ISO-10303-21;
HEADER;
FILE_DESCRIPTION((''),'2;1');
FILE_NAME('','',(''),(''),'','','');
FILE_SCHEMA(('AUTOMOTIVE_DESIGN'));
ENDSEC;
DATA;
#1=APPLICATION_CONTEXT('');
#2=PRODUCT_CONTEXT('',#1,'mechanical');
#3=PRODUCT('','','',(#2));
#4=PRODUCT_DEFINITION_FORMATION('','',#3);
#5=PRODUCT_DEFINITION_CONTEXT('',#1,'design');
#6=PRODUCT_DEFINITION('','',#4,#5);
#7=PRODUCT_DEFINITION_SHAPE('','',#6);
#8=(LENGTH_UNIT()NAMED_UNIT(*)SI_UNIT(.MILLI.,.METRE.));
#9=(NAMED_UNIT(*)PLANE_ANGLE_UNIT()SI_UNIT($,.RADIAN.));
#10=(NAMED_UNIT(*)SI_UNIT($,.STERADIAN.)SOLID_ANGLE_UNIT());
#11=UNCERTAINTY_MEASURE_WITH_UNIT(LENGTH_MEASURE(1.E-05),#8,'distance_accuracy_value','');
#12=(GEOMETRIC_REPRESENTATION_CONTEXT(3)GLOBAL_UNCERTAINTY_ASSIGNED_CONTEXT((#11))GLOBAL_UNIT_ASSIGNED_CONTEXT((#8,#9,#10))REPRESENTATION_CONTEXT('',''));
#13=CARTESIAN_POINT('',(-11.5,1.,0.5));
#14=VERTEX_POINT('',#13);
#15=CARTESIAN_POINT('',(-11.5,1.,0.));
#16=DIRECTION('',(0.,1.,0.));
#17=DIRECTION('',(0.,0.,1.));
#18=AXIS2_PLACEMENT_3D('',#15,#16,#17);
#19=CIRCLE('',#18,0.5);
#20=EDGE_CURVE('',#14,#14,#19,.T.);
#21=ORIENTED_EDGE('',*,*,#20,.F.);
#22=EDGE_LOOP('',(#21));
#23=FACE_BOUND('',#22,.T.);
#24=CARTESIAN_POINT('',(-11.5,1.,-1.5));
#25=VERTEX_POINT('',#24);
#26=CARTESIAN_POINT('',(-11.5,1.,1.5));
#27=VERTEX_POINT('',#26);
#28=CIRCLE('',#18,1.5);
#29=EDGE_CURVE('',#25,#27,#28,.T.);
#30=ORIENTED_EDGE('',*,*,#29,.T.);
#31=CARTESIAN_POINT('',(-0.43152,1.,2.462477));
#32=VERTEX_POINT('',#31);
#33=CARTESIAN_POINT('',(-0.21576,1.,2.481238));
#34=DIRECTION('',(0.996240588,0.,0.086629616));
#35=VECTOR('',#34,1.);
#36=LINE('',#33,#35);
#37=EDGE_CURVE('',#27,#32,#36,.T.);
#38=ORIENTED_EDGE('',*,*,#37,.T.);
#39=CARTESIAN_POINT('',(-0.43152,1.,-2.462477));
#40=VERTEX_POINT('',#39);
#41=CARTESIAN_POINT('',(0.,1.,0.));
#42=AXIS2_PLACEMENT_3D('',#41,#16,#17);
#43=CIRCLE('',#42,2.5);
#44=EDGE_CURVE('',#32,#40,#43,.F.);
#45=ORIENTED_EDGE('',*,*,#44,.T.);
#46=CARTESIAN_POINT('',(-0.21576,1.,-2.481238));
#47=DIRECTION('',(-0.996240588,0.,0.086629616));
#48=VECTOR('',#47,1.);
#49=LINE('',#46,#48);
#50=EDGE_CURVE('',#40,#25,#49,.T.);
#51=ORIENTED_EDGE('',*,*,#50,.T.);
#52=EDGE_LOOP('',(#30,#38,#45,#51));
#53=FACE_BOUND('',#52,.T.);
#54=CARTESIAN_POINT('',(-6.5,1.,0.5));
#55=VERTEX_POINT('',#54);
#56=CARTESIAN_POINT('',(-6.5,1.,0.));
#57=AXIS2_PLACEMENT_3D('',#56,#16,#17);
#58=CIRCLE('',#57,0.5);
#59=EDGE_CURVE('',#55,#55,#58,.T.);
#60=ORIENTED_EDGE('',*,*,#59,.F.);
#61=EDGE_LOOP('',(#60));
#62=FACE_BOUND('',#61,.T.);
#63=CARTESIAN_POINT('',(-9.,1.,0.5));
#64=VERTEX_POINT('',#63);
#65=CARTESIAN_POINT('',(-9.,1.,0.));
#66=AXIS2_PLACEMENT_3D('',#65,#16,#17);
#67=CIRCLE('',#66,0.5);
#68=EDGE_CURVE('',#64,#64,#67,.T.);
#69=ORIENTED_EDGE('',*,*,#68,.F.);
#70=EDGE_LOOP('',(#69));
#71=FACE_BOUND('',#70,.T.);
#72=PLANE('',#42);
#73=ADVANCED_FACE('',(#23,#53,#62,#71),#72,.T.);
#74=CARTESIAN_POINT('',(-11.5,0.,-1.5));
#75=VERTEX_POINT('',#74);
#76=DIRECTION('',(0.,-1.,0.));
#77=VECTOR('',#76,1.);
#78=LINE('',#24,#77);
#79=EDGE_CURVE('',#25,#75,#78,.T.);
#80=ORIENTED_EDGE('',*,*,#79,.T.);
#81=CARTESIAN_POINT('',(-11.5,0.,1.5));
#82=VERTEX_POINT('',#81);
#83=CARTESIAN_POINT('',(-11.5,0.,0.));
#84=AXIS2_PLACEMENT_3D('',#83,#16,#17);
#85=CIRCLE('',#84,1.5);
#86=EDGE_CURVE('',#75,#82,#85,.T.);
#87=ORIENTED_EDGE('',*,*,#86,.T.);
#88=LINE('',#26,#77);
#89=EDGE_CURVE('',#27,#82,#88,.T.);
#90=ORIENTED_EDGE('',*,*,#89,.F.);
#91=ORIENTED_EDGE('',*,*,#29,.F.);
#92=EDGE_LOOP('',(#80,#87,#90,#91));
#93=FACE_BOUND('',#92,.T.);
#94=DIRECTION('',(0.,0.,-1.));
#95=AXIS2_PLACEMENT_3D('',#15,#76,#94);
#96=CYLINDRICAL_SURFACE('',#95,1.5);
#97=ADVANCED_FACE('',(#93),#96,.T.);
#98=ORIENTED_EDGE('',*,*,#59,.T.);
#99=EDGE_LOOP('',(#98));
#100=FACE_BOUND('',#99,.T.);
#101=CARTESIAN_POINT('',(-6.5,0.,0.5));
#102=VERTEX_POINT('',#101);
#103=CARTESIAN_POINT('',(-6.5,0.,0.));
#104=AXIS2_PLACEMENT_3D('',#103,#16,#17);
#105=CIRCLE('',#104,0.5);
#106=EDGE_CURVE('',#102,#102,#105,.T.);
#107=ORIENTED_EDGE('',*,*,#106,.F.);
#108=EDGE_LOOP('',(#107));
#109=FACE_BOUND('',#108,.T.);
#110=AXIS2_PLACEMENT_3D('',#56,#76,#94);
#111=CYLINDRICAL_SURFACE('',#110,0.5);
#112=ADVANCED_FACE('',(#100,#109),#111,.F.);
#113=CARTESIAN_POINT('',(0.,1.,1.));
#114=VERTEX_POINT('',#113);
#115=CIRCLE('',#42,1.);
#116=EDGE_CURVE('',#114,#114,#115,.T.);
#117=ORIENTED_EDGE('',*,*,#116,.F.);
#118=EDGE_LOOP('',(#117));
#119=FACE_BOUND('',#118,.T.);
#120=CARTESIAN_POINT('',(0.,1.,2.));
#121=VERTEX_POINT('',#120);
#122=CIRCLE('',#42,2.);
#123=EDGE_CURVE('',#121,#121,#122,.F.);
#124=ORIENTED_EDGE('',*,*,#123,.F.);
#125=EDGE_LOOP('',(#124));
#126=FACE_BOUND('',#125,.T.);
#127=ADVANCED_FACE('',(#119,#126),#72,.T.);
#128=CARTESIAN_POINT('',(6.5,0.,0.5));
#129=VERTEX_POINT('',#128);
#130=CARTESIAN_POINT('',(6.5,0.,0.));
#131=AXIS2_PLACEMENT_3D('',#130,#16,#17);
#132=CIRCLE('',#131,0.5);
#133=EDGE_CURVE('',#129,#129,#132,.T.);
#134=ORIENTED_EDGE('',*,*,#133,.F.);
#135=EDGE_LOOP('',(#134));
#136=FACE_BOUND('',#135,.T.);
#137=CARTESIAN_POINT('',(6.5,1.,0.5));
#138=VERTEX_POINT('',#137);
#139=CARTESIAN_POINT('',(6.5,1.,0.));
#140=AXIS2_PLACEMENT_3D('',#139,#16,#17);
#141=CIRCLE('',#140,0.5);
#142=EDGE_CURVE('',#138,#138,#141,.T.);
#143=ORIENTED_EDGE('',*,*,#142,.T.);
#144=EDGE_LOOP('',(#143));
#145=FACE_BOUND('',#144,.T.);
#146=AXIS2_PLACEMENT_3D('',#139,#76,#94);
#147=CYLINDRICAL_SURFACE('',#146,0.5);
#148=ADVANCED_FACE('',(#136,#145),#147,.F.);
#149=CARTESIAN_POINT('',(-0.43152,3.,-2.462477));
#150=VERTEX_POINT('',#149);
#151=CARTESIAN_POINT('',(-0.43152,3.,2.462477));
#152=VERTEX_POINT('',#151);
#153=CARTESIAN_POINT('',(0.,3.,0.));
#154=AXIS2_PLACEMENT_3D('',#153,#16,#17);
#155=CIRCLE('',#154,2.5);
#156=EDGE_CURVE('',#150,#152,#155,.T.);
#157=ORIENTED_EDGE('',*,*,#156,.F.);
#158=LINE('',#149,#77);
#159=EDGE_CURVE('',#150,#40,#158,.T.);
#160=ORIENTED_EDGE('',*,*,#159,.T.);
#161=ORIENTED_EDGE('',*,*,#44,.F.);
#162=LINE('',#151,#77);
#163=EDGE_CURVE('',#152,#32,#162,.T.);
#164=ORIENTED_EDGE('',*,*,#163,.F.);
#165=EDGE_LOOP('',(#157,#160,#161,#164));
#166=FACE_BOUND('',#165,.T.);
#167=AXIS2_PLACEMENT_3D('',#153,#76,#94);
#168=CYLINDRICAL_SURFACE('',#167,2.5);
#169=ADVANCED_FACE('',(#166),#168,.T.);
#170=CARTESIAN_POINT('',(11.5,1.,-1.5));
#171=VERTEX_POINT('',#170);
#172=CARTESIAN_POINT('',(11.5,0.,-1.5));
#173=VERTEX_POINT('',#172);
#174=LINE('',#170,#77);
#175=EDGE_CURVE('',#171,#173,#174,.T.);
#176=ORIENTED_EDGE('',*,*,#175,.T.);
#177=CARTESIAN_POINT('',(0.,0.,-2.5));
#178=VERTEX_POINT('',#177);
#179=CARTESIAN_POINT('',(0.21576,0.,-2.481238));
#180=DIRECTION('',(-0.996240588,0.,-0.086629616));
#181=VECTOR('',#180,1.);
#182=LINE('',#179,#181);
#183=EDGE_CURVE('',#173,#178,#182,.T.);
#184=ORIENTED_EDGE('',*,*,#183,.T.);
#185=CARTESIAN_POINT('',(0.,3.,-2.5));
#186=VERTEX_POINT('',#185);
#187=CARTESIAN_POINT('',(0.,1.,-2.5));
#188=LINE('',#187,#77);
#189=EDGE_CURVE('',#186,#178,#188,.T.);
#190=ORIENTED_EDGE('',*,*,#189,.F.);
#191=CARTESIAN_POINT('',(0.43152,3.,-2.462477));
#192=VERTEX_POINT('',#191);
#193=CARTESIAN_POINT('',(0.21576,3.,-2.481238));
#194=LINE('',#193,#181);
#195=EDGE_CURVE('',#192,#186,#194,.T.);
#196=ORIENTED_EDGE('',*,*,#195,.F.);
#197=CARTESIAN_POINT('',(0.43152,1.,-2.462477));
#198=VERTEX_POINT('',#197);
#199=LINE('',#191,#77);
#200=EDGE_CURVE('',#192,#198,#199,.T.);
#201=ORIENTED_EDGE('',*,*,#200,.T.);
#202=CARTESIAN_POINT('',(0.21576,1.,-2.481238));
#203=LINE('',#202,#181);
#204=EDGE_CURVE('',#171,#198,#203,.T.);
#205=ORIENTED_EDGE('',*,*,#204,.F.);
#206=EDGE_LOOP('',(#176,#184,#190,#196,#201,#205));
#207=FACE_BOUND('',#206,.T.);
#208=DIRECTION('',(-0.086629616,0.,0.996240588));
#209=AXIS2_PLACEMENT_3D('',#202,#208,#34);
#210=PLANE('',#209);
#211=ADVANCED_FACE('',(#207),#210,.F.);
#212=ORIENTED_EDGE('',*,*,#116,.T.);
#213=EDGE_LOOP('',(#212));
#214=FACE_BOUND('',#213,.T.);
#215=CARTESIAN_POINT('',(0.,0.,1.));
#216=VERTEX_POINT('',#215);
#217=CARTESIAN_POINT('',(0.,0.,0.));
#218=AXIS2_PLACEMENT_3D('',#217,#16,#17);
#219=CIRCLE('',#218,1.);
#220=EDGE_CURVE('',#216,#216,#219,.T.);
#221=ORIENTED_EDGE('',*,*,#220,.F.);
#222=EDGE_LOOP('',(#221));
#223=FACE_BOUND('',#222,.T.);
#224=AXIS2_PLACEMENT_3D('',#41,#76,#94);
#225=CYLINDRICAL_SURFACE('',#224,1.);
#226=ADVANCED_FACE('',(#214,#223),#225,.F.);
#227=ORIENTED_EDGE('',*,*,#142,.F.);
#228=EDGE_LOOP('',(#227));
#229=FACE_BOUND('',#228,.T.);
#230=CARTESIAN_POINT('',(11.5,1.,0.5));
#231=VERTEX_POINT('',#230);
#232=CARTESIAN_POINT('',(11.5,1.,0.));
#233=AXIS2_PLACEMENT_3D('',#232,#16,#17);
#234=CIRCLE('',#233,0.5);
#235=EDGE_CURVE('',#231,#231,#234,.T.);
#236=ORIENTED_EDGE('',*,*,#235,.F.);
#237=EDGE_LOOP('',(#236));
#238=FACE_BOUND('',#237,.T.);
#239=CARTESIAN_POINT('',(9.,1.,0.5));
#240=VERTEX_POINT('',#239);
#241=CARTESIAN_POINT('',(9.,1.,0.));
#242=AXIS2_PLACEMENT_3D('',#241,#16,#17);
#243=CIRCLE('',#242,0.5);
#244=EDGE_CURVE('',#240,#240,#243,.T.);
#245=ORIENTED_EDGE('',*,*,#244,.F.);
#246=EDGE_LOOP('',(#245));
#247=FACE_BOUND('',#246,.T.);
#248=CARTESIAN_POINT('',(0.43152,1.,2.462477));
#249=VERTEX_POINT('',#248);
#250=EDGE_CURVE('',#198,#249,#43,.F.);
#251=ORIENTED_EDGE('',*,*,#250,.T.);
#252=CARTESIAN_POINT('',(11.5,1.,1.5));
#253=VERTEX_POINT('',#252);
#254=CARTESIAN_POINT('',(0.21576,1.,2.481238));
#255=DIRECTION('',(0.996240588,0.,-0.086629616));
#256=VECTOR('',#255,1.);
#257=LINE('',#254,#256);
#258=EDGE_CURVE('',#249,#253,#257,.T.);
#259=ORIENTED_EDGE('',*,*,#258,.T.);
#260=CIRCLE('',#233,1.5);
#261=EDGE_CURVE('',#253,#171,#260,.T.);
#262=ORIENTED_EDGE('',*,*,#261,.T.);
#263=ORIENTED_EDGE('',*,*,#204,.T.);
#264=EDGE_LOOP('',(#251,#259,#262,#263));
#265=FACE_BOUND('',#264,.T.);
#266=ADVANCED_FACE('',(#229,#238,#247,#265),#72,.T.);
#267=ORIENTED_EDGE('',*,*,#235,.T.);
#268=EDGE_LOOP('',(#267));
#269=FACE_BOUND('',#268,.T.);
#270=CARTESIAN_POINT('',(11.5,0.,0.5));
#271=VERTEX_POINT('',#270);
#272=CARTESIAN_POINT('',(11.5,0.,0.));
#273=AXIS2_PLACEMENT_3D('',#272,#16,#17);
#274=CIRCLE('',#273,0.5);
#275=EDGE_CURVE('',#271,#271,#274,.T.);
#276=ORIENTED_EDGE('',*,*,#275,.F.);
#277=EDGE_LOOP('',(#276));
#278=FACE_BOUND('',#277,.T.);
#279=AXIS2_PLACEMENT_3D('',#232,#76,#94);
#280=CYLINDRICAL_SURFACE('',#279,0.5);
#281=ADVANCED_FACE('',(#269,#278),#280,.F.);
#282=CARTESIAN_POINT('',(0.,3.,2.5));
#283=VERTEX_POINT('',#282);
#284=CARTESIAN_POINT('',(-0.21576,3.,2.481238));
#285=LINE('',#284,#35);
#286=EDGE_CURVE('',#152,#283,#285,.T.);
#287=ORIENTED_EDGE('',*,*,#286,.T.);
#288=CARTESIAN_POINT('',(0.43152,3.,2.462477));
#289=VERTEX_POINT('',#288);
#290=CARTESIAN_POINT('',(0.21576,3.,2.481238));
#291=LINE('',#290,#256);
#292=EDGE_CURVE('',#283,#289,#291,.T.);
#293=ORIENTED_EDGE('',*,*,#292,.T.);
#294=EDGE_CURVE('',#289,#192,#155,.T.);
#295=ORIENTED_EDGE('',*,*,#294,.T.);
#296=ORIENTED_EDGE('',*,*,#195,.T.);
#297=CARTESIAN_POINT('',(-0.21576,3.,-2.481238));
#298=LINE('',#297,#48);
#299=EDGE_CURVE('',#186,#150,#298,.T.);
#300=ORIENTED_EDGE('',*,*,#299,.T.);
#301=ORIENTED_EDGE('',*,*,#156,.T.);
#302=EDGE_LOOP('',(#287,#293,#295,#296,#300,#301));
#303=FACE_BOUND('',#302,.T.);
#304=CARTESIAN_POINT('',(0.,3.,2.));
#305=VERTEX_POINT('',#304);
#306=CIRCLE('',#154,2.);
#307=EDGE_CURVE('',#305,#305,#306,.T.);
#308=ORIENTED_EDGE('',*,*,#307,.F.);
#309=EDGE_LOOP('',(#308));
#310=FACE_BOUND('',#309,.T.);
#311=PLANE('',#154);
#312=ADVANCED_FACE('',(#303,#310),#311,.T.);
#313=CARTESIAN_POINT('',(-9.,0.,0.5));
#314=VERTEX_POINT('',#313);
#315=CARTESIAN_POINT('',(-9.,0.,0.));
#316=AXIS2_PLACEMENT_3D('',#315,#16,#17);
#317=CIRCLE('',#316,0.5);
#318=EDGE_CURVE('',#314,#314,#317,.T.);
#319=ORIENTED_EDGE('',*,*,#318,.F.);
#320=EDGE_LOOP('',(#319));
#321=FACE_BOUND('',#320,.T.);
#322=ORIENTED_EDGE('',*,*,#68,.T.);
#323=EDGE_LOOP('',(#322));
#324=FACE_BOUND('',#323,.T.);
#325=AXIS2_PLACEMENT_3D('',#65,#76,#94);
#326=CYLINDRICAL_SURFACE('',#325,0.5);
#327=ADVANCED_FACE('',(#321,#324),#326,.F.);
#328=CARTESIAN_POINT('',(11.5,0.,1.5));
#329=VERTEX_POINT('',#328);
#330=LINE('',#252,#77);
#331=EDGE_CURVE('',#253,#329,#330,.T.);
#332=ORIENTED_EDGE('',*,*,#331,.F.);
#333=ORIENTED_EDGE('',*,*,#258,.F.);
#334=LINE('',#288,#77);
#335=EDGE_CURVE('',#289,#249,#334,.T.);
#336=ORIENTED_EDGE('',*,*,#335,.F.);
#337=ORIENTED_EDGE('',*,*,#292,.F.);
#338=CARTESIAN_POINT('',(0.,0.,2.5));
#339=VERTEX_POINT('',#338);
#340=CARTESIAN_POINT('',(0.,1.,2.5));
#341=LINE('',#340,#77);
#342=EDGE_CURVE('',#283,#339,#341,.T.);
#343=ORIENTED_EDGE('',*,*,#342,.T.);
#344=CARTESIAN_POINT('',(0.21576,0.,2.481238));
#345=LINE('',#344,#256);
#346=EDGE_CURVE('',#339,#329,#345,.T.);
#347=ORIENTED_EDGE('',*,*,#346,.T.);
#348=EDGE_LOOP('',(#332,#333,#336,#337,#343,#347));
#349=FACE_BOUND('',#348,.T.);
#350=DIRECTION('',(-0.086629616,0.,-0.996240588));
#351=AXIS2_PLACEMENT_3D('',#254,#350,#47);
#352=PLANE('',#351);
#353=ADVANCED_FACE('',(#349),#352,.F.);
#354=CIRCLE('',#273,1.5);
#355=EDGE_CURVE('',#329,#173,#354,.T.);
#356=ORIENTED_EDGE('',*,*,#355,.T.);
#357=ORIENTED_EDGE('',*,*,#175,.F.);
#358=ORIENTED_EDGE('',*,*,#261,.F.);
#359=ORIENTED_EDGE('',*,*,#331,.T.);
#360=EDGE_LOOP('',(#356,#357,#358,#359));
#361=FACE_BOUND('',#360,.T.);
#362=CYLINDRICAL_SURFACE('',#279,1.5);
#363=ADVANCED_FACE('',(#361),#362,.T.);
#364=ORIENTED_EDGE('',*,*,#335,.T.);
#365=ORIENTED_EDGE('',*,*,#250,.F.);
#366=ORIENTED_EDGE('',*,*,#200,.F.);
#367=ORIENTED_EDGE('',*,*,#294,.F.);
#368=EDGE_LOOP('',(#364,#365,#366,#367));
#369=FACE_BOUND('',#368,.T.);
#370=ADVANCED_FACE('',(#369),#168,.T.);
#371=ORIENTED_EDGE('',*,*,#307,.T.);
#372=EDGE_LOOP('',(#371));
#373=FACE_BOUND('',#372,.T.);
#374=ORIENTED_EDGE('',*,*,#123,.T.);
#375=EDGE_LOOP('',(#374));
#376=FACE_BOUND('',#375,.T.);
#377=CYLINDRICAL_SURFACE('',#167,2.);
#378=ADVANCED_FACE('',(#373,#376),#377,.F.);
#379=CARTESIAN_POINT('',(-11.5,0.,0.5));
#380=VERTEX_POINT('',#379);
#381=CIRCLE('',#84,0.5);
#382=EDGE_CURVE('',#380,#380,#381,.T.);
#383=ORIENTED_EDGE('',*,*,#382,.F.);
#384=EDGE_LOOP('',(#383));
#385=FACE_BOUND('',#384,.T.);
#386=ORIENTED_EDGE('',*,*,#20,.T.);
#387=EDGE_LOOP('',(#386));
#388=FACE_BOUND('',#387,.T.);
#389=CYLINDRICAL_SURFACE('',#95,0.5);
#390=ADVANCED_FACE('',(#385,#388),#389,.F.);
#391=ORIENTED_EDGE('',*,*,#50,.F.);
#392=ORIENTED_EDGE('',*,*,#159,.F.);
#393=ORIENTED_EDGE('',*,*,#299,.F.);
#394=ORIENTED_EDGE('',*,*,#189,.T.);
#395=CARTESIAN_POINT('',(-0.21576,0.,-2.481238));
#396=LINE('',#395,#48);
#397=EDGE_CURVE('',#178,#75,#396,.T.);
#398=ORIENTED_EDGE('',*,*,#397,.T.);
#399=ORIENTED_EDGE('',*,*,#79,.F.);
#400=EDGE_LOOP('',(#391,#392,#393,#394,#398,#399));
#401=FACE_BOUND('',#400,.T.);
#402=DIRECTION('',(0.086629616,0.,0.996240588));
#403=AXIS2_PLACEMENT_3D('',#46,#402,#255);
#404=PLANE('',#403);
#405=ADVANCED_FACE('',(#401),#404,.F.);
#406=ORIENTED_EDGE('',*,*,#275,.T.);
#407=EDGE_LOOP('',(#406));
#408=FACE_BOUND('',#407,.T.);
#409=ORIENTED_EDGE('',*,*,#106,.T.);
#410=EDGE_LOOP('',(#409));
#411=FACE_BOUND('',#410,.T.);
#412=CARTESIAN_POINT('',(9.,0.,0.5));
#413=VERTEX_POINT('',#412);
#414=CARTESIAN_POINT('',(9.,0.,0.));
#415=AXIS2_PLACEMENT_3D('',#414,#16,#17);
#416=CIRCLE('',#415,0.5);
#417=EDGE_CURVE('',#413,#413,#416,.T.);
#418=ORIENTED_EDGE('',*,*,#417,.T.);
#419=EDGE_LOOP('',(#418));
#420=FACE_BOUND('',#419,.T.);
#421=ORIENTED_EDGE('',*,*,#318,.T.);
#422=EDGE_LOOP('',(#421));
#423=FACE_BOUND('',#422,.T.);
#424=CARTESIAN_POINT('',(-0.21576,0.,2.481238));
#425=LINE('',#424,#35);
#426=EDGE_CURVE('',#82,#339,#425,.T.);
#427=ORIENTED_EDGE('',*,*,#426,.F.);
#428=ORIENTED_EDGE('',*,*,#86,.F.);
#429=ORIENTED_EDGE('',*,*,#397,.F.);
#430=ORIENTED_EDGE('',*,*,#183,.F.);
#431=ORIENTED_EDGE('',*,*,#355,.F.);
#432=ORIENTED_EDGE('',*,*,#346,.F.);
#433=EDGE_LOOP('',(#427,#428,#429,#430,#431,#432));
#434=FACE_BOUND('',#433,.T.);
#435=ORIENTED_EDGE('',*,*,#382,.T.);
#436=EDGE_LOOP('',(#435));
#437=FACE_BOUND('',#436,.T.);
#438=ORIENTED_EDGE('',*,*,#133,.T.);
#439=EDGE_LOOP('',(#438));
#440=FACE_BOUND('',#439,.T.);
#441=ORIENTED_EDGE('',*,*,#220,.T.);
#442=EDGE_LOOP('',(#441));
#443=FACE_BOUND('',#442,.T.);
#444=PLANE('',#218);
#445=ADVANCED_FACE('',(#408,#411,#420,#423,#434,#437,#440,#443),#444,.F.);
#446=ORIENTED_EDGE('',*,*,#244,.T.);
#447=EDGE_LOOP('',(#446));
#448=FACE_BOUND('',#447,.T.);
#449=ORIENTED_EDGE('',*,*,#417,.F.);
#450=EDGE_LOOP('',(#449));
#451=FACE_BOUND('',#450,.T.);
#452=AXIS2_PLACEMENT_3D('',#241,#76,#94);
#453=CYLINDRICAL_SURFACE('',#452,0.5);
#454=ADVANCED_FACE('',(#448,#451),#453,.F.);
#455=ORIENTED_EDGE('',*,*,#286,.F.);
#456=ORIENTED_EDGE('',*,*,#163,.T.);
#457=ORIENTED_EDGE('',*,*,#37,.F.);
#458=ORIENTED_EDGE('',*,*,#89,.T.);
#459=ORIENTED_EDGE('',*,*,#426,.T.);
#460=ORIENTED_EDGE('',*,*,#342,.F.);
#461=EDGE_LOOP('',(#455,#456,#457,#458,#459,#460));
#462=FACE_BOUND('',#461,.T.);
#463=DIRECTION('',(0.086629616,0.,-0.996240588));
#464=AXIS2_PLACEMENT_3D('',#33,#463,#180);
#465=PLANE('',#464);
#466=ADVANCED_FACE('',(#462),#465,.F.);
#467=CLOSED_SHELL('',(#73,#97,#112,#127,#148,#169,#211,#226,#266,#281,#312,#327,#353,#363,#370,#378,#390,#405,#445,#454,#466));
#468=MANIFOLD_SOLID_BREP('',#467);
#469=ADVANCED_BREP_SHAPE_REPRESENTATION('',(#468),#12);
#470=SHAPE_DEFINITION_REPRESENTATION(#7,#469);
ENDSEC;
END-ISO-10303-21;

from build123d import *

# Parameters (mm, degrees)
SKETCH1_R           = 0.5
SKETCH1_R_2         = 1
BOSS_EXTRUDE1_DEPTH = 1
SKETCH1_4_R         = 2
BOSS_EXTRUDE2_DEPTH = 3


with BuildPart() as part:
    # Sketch1 → Boss-Extrude1 (new body)
    with BuildSketch(Plane(origin=(0, 0, 0), x_dir=(1, 0, 0), z_dir=(0, 1, 0))):
        with BuildLine():
            ThreePointArc((11.5, -1.5), (13, 0), (11.5, 1.5))
            Line((11.5, 1.5), (0, 2.5))
            Line((0, 2.5), (-11.5, 1.5))
            ThreePointArc((-11.5, 1.5), (-13, 0), (-11.5, -1.5))
            Line((-11.5, -1.5), (0, -2.5))
            Line((0, -2.5), (11.5, -1.5))
        make_face()
        with Locations((6.5, 0)):
            Circle(SKETCH1_R, mode=Mode.SUBTRACT)
        with Locations((9, 0)):
            Circle(SKETCH1_R, mode=Mode.SUBTRACT)
        with Locations((11.5, 0)):
            Circle(SKETCH1_R, mode=Mode.SUBTRACT)
        Circle(SKETCH1_R_2, mode=Mode.SUBTRACT)
        with Locations((-6.5, 0)):
            Circle(SKETCH1_R, mode=Mode.SUBTRACT)
        with Locations((-9, 0)):
            Circle(SKETCH1_R, mode=Mode.SUBTRACT)
        with Locations((-11.5, 0)):
            Circle(SKETCH1_R, mode=Mode.SUBTRACT)
    extrude(amount=BOSS_EXTRUDE1_DEPTH)

    # Sketch1<4> → Boss-Extrude2 (add)
    with BuildSketch(Plane(origin=(0, 0, 0), x_dir=(1, 0, 0), z_dir=(0, 1, 0))):
        with BuildLine():
            ThreePointArc((2.5, 0), (1.914262162, 1.607980216), (0.4315197, 2.462476548))
            Line((0.4315197, 2.462476548), (0, 2.5))
            Line((0, 2.5), (-0.4315197, 2.462476548))
            ThreePointArc((-0.4315197, 2.462476548), (-2.5, 0), (-0.4315197, -2.462476548))
            Line((-0.4315197, -2.462476548), (0, -2.5))
            Line((0, -2.5), (0.4315197, -2.462476548))
            ThreePointArc((0.4315197, -2.462476548), (1.914262162, -1.607980216), (2.5, 0))
        make_face()
        Circle(SKETCH1_4_R, mode=Mode.SUBTRACT)
    extrude(amount=BOSS_EXTRUDE2_DEPTH)


solid = part.part
